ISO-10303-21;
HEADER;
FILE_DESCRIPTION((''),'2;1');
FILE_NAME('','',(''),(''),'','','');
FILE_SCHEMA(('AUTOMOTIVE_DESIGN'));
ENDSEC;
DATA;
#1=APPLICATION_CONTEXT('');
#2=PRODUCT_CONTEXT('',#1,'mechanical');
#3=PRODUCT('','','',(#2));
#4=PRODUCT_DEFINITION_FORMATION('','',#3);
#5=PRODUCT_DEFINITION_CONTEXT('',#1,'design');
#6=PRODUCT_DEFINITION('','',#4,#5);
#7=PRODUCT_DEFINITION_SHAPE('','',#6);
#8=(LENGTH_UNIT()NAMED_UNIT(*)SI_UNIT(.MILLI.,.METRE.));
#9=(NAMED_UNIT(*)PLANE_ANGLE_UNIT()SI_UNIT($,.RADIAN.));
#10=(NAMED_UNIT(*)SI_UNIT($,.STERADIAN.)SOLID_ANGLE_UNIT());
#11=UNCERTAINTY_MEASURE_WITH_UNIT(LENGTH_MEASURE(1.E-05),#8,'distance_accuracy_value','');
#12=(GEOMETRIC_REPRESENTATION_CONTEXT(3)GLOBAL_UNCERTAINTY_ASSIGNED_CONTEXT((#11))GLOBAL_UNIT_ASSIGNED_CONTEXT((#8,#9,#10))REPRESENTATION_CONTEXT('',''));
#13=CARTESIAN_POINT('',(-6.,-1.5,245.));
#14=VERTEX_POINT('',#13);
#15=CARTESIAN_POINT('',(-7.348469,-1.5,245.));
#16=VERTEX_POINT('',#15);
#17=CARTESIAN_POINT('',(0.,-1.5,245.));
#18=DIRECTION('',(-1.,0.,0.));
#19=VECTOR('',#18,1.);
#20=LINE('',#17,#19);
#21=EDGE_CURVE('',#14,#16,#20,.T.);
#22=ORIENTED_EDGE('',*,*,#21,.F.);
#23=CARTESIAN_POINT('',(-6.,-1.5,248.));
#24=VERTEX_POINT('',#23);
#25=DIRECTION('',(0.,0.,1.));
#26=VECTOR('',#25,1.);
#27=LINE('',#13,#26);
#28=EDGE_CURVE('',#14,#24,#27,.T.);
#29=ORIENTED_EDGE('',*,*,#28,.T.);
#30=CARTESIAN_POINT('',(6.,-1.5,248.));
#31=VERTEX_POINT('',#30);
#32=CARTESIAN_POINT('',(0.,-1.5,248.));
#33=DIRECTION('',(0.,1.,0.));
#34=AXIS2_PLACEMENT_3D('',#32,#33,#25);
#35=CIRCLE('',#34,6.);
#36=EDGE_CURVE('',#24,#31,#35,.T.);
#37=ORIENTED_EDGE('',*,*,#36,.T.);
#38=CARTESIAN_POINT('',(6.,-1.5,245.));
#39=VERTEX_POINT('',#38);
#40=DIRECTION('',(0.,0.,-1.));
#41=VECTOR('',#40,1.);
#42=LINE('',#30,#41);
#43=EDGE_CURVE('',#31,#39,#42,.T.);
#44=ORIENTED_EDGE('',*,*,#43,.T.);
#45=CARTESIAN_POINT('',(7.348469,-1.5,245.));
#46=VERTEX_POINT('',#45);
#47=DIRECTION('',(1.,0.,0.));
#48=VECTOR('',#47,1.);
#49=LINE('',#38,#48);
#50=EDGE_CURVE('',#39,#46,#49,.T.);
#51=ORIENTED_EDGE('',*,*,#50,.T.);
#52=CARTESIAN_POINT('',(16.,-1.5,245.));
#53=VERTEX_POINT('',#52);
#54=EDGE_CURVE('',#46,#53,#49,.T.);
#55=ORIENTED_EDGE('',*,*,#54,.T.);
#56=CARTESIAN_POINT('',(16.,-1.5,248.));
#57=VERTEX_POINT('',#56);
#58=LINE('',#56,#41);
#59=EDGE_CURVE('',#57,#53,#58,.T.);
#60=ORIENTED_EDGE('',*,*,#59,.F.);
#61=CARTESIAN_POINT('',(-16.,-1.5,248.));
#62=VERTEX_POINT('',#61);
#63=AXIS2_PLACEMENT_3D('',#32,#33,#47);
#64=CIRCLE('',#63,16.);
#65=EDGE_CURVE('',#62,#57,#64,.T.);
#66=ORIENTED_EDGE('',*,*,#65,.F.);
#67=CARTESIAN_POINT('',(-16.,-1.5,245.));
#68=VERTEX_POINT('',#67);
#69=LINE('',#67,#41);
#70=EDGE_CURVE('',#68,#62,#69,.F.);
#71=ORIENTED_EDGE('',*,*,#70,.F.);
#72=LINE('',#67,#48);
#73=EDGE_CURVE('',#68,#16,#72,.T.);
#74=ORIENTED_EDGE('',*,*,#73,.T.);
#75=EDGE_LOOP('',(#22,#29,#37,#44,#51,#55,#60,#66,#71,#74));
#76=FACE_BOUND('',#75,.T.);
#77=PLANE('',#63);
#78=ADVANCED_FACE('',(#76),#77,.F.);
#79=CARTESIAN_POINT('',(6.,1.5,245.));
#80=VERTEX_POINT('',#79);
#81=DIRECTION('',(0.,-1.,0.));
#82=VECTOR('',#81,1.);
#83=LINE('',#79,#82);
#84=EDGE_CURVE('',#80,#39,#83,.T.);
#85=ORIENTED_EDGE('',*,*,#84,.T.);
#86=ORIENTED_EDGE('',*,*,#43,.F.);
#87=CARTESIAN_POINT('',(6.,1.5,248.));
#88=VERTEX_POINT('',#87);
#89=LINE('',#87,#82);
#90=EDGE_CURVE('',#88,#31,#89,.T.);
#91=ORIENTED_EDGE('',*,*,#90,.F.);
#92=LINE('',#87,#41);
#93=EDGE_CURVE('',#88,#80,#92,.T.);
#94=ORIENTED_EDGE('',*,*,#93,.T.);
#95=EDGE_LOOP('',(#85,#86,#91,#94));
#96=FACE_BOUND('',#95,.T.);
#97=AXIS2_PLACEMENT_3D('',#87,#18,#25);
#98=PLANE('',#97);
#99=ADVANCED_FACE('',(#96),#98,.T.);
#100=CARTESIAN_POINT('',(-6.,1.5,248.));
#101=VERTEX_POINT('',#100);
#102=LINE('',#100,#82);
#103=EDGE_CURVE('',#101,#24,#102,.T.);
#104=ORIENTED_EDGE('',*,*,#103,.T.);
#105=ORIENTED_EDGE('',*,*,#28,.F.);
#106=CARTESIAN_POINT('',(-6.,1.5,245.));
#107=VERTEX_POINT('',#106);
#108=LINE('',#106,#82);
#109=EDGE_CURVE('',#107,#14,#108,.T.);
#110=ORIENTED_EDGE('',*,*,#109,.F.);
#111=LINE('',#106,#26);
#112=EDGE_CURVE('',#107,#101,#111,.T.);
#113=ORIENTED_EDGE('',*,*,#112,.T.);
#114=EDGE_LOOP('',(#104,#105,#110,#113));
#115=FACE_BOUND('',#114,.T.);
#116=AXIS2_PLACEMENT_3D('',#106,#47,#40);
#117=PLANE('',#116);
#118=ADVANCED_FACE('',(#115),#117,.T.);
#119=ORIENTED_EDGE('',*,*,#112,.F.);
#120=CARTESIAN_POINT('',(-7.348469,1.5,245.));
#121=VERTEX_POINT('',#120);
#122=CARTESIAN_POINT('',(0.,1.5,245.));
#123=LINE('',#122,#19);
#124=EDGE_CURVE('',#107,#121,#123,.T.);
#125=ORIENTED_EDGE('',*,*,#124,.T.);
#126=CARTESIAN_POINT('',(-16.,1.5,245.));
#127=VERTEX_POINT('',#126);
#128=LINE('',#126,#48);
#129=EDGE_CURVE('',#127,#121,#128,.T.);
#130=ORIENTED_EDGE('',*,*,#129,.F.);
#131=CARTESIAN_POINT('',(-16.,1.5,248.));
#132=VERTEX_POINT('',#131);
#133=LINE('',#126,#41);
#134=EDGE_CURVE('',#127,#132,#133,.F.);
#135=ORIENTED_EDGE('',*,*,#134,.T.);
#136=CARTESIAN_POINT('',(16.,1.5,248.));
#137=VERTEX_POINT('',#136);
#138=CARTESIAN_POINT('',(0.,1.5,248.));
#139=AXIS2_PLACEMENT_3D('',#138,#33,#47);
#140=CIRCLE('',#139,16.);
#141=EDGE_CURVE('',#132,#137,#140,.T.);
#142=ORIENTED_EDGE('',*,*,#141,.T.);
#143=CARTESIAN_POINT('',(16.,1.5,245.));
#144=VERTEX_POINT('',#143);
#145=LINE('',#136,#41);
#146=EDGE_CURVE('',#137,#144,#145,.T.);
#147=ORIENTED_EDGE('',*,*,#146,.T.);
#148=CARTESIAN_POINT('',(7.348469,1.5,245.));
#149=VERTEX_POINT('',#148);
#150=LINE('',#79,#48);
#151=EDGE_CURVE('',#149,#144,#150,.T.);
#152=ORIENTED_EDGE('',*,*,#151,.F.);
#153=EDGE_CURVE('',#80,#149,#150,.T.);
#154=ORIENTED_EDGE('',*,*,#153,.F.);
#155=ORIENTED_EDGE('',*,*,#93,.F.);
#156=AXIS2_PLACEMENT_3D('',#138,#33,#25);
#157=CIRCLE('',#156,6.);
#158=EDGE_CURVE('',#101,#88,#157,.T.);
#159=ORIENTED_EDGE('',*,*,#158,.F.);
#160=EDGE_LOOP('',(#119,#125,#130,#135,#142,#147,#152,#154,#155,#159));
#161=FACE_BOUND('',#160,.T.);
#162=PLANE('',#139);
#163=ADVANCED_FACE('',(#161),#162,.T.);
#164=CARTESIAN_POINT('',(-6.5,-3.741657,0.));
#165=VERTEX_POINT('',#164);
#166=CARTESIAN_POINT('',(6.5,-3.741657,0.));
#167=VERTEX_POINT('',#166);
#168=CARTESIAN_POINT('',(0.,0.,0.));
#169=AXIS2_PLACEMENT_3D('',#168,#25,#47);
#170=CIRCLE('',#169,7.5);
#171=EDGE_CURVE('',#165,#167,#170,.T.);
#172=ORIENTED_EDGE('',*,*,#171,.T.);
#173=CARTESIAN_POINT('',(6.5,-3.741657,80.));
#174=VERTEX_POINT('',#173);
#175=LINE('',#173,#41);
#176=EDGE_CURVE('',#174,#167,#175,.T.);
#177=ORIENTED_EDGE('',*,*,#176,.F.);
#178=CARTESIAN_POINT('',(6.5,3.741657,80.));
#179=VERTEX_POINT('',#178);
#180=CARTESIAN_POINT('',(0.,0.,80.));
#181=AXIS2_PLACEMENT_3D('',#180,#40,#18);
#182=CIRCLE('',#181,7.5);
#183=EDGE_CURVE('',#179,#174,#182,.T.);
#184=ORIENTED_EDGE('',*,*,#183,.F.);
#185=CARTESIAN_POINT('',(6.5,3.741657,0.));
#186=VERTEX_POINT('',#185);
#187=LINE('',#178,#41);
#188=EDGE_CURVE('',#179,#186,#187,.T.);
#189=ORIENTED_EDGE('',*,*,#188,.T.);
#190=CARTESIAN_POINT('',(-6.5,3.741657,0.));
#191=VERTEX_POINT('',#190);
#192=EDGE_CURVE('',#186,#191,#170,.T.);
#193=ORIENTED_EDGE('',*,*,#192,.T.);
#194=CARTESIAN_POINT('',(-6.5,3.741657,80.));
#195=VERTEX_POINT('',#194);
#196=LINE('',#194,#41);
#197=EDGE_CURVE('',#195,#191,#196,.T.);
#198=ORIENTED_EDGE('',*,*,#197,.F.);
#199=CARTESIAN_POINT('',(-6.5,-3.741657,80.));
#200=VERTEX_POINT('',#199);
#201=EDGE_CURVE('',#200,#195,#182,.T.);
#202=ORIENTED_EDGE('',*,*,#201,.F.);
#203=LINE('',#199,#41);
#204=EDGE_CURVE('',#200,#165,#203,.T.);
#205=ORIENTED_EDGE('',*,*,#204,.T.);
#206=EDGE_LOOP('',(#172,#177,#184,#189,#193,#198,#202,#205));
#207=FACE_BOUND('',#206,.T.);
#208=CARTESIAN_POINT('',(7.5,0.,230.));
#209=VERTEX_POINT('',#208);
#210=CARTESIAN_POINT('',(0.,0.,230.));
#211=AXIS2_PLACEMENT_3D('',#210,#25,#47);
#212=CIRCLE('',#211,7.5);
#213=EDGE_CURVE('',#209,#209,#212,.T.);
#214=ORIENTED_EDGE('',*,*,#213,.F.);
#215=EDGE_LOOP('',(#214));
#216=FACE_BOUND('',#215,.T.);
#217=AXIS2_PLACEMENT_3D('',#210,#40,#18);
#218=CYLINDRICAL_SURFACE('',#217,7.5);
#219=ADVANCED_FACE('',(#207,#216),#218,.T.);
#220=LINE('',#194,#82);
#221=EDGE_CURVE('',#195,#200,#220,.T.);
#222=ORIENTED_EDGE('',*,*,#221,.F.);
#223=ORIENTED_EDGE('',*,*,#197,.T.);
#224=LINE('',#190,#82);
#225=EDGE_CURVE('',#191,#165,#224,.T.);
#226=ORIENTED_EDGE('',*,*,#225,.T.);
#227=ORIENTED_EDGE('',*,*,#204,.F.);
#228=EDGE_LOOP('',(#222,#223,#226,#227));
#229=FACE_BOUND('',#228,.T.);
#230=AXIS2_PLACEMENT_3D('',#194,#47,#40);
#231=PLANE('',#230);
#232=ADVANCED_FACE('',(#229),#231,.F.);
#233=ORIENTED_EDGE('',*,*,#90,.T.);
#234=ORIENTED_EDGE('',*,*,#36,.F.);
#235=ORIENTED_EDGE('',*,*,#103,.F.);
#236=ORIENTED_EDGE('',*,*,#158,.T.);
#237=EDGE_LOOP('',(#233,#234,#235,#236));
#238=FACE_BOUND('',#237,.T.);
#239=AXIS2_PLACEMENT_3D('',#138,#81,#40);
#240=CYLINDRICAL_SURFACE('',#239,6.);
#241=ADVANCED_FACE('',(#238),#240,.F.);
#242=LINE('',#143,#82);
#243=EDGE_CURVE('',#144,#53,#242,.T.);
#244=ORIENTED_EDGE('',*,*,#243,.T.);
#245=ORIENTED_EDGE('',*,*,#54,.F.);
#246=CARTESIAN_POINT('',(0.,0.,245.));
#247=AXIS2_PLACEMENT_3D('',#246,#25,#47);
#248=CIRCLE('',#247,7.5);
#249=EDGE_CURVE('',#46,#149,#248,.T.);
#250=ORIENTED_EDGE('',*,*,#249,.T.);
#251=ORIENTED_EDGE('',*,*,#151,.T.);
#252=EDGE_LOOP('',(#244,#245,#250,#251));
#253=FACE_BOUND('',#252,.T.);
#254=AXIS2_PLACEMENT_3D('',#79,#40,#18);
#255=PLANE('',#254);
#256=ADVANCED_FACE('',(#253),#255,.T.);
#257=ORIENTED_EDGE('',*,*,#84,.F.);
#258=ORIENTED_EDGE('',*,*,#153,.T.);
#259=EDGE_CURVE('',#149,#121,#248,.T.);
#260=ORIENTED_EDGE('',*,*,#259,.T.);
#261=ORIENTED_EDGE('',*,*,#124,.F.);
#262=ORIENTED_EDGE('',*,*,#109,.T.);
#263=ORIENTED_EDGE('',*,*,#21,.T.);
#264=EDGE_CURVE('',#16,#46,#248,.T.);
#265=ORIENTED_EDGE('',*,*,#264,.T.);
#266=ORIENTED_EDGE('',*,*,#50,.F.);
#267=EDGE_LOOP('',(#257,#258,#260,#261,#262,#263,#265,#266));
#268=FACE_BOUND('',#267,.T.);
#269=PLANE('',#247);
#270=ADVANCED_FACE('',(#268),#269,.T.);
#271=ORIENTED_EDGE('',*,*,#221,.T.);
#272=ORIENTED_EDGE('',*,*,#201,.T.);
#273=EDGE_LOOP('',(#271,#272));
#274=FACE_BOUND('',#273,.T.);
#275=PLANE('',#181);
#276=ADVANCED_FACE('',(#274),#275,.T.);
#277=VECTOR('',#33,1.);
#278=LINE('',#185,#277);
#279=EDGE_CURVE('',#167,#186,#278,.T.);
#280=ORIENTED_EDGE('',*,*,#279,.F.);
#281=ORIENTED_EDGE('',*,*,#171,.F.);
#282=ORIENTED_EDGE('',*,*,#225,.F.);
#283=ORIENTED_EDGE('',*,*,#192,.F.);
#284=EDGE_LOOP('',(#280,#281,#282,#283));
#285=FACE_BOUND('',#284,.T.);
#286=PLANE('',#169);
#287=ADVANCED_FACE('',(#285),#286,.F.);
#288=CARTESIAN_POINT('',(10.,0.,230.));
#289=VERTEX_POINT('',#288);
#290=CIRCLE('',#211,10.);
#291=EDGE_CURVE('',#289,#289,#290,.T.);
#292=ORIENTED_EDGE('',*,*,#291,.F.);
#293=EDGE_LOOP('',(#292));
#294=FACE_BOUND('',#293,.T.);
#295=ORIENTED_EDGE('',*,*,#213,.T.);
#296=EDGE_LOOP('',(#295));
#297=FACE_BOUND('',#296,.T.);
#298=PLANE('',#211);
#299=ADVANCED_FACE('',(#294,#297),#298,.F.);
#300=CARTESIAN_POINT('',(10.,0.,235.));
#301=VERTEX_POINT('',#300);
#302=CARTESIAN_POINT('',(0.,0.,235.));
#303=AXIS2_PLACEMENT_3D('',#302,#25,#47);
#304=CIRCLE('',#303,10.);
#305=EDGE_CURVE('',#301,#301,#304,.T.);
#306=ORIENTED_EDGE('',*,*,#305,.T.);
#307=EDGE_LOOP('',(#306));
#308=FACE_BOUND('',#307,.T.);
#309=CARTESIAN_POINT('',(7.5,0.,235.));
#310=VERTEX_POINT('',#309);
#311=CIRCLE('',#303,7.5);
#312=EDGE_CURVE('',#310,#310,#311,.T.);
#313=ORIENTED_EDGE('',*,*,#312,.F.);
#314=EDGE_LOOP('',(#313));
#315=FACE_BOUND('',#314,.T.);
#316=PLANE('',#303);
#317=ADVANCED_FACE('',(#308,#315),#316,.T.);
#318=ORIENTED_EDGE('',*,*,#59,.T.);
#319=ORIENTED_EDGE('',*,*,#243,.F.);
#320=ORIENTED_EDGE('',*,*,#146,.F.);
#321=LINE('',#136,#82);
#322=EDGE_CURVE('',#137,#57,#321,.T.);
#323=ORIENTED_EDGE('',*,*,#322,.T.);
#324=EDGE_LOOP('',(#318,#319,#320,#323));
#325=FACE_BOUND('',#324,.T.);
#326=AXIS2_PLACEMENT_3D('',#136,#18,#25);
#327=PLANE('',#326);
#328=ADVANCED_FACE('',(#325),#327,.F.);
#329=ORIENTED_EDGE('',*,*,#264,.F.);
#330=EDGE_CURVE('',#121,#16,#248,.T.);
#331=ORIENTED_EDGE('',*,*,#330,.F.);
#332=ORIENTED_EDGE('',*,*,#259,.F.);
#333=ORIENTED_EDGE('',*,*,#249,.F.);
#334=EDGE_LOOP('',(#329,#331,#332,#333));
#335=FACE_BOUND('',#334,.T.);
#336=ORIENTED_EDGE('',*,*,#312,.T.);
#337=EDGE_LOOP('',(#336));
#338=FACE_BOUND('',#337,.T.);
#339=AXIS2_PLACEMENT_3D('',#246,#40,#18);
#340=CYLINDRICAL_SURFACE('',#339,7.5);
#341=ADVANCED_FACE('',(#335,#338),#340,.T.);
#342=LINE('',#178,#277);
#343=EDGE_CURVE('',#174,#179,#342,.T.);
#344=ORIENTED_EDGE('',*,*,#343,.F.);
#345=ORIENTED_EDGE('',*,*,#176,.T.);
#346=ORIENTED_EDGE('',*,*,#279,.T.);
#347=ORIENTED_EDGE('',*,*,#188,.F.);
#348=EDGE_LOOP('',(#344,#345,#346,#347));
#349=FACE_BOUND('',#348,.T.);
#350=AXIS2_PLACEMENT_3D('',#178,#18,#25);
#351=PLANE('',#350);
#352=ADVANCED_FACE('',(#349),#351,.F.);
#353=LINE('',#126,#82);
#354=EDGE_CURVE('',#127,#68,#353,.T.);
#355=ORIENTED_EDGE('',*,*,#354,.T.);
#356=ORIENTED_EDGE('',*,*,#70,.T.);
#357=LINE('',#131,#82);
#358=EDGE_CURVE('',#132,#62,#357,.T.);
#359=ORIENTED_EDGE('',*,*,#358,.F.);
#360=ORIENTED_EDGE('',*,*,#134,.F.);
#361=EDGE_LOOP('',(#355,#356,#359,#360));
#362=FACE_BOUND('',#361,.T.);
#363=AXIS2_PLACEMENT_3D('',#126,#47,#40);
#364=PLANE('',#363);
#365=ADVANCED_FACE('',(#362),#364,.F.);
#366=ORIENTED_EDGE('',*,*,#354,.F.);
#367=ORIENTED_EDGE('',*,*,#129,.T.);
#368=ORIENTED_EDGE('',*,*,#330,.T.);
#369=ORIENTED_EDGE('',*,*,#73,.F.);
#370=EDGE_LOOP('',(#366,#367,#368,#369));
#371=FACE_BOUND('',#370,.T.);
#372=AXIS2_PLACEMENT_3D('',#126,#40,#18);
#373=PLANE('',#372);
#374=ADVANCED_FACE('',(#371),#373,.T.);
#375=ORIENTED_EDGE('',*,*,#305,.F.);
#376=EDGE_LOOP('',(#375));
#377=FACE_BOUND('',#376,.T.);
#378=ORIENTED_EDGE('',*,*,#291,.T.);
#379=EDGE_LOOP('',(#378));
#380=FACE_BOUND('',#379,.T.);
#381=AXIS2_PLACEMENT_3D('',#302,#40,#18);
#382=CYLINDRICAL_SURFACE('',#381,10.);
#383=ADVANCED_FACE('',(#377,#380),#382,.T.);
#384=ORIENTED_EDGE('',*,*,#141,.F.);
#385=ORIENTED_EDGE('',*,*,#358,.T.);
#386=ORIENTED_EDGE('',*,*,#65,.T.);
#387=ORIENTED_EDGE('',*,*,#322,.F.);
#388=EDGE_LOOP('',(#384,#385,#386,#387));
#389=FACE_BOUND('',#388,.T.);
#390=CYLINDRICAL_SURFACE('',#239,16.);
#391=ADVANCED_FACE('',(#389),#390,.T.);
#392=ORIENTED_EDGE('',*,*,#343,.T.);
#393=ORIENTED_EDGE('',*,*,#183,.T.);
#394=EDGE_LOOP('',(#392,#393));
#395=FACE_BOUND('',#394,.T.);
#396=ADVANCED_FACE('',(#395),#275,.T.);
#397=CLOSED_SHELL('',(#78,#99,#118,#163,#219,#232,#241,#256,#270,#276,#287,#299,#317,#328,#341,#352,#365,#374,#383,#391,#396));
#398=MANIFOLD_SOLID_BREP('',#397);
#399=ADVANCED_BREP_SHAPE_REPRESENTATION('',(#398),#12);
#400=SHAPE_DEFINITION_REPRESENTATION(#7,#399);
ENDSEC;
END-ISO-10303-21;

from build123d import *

# Parameters (mm, degrees)
SKETCH1_R           = 7.5
BOSS_EXTRUDE1_DEPTH = 230
SKETCH2_R           = 10
BOSS_EXTRUDE2_DEPTH = 5
SKETCH3_R           = 7.5
BOSS_EXTRUDE3_DEPTH = 10
CUT_EXTRUDE1_DEPTH  = 80
EXTRUDE_THIN1_DEPTH = 1.5


with BuildPart() as part:
    # Sketch1 → Boss-Extrude1 (new body)
    with BuildSketch(Plane.XY):
        Circle(SKETCH1_R)
    extrude(amount=BOSS_EXTRUDE1_DEPTH)

    # Sketch2 → Boss-Extrude2 (add)
    with BuildSketch(Plane.XY.offset(230)):
        Circle(SKETCH2_R)
    extrude(amount=BOSS_EXTRUDE2_DEPTH)

    # Sketch3 → Boss-Extrude3 (add)
    with BuildSketch(Plane.XY.offset(235)):
        Circle(SKETCH3_R)
    extrude(amount=BOSS_EXTRUDE3_DEPTH)

    # Sketch4 → Cut-Extrude1 (cut)
    with BuildSketch(Plane(origin=(0, 0, 0), x_dir=(-1, 0, 0), z_dir=(0, 0, -1))):
        with BuildLine():
            Line((-6.5, 3.741657387), (-6.5, -3.741657387))
            ThreePointArc((-6.5, -3.741657387), (-7.5, 0), (-6.5, 3.741657387))
        make_face()
        with BuildLine():
            Line((6.5, 3.741657387), (6.5, -3.741657387))
            ThreePointArc((6.5, -3.741657387), (7.5, 0), (6.5, 3.741657387))
        make_face()
    extrude(amount=-CUT_EXTRUDE1_DEPTH, mode=Mode.SUBTRACT)

    # Sketch5 → Extrude-Thin1 (add, symmetric)
    with BuildSketch(Plane(origin=(0, 0, 0), x_dir=(1, 0, 0), z_dir=(0, 1, 0))):
        with BuildLine():
            Line((-6, -245), (-6, -248))
            ThreePointArc((-6, -248), (0, -254), (6, -248))
            Line((6, -248), (6, -245))
            Line((6, -245), (16, -245))
            Line((16, -245), (16, -248))
            ThreePointArc((16, -248), (0, -264), (-16, -248))
            Line((-16, -248), (-16, -245))
            Line((-16, -245), (-6, -245))
        make_face()
    extrude(amount=EXTRUDE_THIN1_DEPTH, both=True)


solid = part.part
